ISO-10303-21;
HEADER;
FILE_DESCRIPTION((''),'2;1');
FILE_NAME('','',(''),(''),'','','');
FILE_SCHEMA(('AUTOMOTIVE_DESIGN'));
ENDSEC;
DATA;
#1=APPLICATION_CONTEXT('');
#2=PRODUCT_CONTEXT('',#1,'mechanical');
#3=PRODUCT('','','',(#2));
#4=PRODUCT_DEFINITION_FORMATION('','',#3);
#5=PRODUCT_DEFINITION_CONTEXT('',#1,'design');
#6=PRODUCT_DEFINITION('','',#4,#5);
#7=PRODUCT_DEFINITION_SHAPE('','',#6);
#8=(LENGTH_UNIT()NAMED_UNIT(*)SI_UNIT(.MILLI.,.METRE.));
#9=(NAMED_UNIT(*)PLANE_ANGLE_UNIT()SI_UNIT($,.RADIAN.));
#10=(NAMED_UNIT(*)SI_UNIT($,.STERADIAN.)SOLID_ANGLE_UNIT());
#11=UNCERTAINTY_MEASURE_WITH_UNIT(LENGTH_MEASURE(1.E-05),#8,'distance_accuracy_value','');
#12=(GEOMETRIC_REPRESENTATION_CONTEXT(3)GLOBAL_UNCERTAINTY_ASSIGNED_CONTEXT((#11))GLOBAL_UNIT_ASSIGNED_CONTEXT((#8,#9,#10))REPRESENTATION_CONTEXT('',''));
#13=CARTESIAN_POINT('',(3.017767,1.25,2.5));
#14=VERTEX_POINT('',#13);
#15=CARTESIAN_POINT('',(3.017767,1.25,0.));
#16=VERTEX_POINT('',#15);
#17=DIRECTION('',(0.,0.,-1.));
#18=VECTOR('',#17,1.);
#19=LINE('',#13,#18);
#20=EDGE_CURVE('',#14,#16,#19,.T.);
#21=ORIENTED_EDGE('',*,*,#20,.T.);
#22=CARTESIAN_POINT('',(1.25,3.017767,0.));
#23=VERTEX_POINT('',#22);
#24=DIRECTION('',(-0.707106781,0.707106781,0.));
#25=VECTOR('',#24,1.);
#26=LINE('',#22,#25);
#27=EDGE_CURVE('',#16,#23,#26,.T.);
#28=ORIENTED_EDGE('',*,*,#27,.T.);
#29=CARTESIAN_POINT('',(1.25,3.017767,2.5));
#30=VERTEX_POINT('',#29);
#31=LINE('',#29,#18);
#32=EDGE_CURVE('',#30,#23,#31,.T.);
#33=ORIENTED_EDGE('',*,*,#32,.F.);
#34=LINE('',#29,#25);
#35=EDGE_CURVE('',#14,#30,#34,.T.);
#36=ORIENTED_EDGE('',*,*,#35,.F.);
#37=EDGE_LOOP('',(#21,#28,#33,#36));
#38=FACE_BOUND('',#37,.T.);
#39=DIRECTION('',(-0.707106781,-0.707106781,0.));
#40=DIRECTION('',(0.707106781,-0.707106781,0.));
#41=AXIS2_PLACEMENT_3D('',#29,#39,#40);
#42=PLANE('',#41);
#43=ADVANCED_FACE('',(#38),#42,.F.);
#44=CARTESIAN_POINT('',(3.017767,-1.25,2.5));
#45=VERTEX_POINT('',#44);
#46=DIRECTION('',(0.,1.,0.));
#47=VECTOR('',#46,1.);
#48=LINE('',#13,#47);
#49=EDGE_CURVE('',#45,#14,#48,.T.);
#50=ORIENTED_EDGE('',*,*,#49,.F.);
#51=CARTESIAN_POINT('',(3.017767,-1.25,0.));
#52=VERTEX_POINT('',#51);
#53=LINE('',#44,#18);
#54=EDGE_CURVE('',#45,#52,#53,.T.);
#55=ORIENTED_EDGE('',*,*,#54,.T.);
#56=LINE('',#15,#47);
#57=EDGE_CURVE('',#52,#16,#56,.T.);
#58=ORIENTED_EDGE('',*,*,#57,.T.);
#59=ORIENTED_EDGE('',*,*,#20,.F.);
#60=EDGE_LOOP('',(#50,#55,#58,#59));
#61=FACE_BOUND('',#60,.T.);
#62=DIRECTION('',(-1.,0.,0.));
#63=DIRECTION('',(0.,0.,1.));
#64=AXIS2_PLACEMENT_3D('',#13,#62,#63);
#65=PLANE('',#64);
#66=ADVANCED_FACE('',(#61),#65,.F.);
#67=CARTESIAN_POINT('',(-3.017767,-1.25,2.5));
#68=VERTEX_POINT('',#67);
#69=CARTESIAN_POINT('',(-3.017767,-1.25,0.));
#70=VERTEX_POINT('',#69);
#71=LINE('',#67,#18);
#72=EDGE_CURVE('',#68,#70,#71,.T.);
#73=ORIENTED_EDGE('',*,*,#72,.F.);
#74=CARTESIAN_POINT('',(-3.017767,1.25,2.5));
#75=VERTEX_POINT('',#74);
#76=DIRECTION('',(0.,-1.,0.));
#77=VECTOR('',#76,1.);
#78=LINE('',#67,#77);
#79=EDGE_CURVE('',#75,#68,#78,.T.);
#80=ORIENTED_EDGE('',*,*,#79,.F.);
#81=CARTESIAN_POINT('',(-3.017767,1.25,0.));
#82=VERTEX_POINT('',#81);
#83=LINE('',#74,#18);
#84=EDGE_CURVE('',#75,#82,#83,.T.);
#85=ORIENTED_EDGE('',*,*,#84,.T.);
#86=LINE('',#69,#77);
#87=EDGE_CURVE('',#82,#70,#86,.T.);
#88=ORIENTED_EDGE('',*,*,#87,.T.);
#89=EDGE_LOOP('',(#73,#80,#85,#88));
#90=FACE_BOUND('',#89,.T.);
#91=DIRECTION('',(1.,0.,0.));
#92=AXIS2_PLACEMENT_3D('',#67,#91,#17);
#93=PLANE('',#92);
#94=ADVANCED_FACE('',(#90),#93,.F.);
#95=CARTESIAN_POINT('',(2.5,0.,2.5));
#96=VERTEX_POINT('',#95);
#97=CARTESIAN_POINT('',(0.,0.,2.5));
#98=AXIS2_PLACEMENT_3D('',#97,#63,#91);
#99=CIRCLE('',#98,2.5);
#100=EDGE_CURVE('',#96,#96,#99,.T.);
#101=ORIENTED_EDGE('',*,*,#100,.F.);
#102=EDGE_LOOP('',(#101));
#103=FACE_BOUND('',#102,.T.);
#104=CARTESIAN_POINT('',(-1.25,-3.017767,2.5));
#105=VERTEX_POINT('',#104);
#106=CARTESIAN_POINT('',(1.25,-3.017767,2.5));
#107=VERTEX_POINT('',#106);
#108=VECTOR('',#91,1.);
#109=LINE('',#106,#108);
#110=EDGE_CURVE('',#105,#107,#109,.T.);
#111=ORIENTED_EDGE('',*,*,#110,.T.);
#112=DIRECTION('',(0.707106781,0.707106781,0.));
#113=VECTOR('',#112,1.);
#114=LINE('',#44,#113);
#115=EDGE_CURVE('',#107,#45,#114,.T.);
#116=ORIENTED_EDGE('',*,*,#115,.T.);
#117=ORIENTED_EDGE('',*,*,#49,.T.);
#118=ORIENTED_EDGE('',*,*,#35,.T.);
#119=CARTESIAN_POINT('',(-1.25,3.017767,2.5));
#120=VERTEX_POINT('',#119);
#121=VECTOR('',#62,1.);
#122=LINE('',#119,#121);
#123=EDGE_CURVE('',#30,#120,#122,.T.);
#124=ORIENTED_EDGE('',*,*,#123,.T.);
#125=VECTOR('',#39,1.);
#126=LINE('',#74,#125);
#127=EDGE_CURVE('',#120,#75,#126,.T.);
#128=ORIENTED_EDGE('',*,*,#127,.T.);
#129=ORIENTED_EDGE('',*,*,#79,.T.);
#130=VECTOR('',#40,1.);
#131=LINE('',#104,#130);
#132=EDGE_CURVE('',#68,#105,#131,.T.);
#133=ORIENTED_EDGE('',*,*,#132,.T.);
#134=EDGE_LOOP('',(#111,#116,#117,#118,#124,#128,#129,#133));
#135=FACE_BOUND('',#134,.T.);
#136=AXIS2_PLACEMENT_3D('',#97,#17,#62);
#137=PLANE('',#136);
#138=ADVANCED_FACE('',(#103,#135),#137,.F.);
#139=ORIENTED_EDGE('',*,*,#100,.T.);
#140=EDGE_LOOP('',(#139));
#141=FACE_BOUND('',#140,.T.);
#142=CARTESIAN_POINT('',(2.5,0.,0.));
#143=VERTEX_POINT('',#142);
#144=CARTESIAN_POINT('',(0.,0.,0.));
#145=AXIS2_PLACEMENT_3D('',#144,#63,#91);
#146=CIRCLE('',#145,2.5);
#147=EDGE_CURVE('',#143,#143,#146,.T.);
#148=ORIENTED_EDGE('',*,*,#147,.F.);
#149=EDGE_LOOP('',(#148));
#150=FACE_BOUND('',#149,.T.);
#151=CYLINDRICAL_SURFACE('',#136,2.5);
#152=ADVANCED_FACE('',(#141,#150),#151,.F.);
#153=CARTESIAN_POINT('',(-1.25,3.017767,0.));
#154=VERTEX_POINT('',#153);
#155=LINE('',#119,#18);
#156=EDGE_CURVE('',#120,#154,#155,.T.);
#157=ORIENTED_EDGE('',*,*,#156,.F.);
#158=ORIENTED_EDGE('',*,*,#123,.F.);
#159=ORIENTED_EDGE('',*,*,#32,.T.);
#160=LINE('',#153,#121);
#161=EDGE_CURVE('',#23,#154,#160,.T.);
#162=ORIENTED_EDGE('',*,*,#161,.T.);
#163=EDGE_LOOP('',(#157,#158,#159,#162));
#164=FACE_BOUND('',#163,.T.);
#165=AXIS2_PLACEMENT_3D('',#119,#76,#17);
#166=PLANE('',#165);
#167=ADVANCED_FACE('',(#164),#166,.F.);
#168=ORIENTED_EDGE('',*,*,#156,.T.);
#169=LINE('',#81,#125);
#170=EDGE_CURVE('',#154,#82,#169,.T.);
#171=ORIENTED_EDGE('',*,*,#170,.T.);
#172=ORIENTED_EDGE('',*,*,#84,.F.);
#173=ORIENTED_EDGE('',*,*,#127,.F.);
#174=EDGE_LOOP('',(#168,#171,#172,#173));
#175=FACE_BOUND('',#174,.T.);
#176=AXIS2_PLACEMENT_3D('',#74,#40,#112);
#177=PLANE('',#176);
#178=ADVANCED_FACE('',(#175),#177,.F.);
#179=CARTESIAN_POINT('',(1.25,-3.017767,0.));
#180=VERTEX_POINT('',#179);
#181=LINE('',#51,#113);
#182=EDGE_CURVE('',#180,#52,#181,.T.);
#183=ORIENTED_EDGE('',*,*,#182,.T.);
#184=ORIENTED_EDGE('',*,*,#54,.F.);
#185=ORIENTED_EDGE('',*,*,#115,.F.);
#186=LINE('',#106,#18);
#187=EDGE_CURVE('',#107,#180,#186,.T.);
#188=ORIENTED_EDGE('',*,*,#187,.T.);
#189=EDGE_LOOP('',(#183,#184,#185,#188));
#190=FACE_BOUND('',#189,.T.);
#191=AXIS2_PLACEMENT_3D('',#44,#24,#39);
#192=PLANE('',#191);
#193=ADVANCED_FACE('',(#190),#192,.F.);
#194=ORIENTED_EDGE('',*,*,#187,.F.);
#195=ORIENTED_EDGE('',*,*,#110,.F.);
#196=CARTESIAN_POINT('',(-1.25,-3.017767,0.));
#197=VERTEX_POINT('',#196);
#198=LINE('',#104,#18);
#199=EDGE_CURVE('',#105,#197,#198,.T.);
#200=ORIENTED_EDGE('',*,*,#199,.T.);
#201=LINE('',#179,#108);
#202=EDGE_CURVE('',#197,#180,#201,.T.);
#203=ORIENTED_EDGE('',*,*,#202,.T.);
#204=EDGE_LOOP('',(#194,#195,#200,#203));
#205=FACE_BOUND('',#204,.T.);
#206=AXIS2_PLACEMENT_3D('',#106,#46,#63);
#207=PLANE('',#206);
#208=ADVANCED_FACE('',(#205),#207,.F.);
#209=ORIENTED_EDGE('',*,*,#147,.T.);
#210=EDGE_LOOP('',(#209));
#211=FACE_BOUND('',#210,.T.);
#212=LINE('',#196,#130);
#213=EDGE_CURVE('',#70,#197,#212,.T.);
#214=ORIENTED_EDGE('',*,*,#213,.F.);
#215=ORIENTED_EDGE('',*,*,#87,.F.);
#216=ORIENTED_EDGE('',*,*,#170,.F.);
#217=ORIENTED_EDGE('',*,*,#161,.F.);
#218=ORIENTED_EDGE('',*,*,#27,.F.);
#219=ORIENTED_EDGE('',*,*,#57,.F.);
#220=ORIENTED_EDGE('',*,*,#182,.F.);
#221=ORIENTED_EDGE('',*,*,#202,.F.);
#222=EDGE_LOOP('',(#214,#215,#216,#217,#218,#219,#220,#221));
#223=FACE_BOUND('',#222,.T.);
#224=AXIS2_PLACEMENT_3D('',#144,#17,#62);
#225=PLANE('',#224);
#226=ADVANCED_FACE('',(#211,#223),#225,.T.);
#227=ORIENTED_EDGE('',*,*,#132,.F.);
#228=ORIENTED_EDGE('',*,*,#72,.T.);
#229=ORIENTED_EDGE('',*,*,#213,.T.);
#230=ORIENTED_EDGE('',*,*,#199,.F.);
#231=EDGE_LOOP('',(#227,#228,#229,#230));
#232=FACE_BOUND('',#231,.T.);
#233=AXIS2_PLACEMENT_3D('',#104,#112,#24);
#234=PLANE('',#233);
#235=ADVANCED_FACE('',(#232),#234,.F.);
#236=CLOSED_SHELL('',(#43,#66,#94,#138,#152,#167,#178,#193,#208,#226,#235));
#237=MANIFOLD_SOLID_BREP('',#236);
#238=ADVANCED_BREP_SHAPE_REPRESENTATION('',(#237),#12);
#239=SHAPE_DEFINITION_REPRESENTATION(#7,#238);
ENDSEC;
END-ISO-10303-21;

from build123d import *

# Parameters (mm, degrees)
SKETCH1_R           = 2.5
BOSS_EXTRUDE1_DEPTH = 2.5


with BuildPart() as part:
    # Sketch1 → Boss-Extrude1 (new body)
    with BuildSketch(Plane.XY):
        Polygon((-1.25, 3.017766953), (1.25, 3.017766953), (3.017766953, 1.25), (3.017766953, -1.25), (1.25, -3.017766953), (-1.25, -3.017766953), (-3.017766953, -1.25), (-3.017766953, 1.25), align=None)
        Circle(SKETCH1_R, mode=Mode.SUBTRACT)
    extrude(amount=BOSS_EXTRUDE1_DEPTH)


solid = part.part
